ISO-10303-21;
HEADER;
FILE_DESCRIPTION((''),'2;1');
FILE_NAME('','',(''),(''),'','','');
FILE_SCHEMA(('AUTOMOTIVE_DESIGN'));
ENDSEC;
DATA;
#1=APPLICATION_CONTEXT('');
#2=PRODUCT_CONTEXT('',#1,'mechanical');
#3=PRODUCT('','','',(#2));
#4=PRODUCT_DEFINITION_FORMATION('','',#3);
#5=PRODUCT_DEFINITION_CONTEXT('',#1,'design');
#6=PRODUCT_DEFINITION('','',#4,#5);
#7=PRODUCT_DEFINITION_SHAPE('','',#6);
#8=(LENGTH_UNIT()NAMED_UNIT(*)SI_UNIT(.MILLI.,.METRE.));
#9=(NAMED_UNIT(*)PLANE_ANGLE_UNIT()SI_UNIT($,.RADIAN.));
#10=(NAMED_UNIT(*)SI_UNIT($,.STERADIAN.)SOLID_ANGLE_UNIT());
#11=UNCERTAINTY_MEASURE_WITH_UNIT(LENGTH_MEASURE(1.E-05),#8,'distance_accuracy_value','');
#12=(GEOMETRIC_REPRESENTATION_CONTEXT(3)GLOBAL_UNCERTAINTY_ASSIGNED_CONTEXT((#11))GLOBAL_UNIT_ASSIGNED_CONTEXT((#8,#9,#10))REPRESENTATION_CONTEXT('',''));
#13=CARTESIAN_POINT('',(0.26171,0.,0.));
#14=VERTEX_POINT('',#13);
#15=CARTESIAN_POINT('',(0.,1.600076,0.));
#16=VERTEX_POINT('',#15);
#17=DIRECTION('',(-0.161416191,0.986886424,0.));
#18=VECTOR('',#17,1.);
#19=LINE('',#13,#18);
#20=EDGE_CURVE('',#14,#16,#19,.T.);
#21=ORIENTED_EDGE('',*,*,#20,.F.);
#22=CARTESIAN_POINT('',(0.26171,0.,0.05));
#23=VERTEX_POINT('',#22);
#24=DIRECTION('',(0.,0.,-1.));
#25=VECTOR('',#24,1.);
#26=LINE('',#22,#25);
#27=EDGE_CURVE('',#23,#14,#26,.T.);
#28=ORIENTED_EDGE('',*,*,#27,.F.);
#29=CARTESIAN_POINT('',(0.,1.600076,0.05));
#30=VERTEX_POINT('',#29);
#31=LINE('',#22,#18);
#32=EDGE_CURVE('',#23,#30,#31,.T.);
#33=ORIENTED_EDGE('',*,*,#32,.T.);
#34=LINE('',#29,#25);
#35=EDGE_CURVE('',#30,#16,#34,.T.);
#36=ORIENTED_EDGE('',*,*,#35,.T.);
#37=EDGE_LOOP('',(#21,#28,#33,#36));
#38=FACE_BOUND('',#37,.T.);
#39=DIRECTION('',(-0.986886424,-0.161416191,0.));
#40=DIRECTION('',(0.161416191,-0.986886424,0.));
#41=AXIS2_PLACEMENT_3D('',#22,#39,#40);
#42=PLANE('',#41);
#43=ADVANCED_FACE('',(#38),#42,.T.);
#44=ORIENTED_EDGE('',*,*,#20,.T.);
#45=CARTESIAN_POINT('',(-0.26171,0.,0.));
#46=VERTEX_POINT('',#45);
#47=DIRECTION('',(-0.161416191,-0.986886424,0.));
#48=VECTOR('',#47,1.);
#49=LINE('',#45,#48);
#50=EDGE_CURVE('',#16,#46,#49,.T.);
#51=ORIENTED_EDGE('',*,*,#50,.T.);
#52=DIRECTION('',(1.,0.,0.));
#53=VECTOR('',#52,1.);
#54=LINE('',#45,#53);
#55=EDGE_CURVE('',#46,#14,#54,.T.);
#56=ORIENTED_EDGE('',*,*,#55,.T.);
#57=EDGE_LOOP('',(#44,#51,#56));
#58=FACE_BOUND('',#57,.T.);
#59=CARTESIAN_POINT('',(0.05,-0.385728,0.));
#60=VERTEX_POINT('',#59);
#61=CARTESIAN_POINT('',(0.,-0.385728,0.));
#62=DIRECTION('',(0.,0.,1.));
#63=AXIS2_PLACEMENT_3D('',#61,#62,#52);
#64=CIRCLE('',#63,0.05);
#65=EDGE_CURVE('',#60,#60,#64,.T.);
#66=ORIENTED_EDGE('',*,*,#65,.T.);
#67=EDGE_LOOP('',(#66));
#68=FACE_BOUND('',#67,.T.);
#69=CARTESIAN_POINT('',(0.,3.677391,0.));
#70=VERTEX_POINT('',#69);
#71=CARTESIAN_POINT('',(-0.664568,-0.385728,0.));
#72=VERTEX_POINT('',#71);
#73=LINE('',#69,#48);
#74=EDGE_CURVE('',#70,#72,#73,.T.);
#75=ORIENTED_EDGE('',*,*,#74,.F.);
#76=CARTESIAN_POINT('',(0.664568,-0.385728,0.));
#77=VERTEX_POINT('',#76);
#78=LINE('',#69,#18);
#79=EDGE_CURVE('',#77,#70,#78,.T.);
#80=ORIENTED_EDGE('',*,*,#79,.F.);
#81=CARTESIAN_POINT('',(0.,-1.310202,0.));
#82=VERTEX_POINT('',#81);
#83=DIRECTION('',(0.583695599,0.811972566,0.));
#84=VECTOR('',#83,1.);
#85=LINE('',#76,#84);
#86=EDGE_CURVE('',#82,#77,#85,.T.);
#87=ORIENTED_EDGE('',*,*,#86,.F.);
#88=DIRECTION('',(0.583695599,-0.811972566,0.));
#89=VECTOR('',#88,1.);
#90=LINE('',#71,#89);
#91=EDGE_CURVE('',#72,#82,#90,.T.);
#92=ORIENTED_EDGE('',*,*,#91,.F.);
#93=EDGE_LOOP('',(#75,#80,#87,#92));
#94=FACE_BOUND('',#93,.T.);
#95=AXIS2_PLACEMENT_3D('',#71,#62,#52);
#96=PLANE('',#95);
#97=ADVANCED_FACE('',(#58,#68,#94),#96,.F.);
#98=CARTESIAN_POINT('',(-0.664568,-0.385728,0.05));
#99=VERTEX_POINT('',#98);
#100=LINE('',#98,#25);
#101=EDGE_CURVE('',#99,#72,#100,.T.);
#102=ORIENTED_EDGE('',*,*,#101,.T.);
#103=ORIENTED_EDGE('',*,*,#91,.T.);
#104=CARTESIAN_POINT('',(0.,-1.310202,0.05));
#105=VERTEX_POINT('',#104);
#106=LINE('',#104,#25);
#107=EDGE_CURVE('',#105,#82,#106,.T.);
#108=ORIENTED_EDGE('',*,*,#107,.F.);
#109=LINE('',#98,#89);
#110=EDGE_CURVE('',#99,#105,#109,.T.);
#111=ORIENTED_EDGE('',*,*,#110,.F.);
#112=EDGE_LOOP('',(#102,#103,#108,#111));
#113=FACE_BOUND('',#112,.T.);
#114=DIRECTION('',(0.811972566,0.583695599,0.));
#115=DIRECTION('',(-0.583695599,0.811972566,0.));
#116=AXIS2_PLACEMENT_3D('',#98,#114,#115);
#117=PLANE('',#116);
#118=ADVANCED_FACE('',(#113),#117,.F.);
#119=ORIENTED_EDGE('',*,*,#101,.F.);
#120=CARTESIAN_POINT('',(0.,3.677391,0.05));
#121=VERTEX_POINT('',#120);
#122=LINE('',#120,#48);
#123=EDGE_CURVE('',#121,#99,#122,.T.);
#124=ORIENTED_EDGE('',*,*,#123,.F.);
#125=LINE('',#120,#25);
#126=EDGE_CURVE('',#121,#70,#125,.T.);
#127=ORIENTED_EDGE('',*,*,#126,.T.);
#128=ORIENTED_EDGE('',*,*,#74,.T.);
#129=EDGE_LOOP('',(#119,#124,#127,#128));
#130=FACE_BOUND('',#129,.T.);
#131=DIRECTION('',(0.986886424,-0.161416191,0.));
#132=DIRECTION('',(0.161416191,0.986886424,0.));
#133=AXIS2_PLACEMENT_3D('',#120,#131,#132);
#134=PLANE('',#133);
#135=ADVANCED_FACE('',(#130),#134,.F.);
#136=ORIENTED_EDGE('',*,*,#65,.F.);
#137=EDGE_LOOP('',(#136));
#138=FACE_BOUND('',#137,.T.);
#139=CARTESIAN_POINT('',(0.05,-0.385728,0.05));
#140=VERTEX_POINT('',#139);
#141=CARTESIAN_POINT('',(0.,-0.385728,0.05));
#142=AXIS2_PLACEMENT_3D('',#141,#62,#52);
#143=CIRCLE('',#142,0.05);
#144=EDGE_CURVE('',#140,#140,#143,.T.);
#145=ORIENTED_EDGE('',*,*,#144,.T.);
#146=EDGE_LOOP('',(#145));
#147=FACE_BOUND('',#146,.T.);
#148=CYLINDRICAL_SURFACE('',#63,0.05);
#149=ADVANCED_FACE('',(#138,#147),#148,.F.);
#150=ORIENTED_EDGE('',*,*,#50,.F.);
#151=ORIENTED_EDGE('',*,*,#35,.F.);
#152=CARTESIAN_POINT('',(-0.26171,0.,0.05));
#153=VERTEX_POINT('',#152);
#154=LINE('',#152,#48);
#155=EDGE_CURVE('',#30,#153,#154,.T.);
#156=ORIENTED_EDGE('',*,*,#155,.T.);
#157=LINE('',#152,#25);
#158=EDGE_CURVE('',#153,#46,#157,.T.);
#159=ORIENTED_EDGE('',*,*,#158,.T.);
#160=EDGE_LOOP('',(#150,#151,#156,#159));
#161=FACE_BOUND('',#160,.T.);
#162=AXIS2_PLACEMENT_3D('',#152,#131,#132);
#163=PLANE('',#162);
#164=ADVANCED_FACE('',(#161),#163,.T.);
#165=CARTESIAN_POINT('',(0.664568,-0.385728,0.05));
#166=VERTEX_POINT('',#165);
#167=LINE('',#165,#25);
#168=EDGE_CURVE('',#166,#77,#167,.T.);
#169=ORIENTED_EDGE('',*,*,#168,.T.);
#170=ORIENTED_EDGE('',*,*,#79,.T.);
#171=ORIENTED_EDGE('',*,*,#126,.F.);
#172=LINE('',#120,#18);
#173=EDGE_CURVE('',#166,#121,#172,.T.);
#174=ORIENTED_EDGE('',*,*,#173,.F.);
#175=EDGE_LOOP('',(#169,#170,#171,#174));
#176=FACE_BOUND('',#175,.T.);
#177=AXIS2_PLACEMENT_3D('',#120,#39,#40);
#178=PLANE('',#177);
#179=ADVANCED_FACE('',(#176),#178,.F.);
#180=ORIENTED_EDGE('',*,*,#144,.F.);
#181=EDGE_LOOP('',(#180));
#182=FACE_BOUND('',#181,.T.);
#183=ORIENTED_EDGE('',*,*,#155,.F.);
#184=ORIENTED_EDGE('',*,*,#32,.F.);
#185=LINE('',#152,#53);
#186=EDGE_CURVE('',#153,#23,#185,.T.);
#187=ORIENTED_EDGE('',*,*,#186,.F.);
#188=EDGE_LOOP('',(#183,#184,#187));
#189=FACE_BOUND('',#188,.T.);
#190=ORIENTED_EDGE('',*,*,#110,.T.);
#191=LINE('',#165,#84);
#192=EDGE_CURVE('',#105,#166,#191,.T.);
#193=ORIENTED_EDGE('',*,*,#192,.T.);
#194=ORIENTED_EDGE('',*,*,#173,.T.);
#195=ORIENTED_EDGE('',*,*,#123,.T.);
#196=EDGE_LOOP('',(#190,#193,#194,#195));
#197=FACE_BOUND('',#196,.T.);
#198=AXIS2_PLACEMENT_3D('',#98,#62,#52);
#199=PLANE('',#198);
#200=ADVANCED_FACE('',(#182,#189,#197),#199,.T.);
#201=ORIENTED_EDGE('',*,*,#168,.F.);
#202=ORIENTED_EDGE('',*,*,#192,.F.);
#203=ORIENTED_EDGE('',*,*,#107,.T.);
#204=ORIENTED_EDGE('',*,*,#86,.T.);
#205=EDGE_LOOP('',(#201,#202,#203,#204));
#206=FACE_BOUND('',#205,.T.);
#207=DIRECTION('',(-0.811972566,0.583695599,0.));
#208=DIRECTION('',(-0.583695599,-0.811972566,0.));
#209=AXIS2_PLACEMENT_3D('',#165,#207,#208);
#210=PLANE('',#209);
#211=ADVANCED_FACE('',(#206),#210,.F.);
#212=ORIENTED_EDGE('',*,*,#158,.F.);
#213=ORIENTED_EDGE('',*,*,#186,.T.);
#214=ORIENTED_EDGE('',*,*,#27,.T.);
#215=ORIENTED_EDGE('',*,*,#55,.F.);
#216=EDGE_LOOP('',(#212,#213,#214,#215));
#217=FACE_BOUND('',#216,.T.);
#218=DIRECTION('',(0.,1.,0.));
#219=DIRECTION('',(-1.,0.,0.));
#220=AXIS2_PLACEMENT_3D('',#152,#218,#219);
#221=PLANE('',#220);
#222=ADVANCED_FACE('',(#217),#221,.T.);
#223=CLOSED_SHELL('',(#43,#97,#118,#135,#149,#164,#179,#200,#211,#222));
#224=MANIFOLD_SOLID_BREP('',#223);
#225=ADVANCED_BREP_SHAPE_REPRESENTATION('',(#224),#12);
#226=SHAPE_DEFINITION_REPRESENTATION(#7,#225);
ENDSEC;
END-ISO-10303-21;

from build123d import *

# Parameters (mm, degrees)
BOSS_EXTRUDE1_DEPTH = 0.05
SKETCH2_R           = 0.05
CUT_EXTRUDE1_DEPTH  = 0.05


with BuildPart() as part:
    # Sketch1 → Boss-Extrude1 (new body)
    with BuildSketch(Plane.XY):
        Polygon((0, 3.67739105), (0.664568148, -0.385728496), (0, -1.310201981), (-0.664568148, -0.385728496), align=None)
        Polygon((-0.261710049, 0), (0.261710049, 0), (0, 1.600075505), align=None, mode=Mode.SUBTRACT)
    extrude(amount=BOSS_EXTRUDE1_DEPTH)

    # Sketch2 → Cut-Extrude1 (cut)
    with BuildSketch(Plane.XY.offset(0.05)):
        with Locations((0, -0.385728496)):
            Circle(SKETCH2_R)
    extrude(amount=-CUT_EXTRUDE1_DEPTH, mode=Mode.SUBTRACT)


solid = part.part
